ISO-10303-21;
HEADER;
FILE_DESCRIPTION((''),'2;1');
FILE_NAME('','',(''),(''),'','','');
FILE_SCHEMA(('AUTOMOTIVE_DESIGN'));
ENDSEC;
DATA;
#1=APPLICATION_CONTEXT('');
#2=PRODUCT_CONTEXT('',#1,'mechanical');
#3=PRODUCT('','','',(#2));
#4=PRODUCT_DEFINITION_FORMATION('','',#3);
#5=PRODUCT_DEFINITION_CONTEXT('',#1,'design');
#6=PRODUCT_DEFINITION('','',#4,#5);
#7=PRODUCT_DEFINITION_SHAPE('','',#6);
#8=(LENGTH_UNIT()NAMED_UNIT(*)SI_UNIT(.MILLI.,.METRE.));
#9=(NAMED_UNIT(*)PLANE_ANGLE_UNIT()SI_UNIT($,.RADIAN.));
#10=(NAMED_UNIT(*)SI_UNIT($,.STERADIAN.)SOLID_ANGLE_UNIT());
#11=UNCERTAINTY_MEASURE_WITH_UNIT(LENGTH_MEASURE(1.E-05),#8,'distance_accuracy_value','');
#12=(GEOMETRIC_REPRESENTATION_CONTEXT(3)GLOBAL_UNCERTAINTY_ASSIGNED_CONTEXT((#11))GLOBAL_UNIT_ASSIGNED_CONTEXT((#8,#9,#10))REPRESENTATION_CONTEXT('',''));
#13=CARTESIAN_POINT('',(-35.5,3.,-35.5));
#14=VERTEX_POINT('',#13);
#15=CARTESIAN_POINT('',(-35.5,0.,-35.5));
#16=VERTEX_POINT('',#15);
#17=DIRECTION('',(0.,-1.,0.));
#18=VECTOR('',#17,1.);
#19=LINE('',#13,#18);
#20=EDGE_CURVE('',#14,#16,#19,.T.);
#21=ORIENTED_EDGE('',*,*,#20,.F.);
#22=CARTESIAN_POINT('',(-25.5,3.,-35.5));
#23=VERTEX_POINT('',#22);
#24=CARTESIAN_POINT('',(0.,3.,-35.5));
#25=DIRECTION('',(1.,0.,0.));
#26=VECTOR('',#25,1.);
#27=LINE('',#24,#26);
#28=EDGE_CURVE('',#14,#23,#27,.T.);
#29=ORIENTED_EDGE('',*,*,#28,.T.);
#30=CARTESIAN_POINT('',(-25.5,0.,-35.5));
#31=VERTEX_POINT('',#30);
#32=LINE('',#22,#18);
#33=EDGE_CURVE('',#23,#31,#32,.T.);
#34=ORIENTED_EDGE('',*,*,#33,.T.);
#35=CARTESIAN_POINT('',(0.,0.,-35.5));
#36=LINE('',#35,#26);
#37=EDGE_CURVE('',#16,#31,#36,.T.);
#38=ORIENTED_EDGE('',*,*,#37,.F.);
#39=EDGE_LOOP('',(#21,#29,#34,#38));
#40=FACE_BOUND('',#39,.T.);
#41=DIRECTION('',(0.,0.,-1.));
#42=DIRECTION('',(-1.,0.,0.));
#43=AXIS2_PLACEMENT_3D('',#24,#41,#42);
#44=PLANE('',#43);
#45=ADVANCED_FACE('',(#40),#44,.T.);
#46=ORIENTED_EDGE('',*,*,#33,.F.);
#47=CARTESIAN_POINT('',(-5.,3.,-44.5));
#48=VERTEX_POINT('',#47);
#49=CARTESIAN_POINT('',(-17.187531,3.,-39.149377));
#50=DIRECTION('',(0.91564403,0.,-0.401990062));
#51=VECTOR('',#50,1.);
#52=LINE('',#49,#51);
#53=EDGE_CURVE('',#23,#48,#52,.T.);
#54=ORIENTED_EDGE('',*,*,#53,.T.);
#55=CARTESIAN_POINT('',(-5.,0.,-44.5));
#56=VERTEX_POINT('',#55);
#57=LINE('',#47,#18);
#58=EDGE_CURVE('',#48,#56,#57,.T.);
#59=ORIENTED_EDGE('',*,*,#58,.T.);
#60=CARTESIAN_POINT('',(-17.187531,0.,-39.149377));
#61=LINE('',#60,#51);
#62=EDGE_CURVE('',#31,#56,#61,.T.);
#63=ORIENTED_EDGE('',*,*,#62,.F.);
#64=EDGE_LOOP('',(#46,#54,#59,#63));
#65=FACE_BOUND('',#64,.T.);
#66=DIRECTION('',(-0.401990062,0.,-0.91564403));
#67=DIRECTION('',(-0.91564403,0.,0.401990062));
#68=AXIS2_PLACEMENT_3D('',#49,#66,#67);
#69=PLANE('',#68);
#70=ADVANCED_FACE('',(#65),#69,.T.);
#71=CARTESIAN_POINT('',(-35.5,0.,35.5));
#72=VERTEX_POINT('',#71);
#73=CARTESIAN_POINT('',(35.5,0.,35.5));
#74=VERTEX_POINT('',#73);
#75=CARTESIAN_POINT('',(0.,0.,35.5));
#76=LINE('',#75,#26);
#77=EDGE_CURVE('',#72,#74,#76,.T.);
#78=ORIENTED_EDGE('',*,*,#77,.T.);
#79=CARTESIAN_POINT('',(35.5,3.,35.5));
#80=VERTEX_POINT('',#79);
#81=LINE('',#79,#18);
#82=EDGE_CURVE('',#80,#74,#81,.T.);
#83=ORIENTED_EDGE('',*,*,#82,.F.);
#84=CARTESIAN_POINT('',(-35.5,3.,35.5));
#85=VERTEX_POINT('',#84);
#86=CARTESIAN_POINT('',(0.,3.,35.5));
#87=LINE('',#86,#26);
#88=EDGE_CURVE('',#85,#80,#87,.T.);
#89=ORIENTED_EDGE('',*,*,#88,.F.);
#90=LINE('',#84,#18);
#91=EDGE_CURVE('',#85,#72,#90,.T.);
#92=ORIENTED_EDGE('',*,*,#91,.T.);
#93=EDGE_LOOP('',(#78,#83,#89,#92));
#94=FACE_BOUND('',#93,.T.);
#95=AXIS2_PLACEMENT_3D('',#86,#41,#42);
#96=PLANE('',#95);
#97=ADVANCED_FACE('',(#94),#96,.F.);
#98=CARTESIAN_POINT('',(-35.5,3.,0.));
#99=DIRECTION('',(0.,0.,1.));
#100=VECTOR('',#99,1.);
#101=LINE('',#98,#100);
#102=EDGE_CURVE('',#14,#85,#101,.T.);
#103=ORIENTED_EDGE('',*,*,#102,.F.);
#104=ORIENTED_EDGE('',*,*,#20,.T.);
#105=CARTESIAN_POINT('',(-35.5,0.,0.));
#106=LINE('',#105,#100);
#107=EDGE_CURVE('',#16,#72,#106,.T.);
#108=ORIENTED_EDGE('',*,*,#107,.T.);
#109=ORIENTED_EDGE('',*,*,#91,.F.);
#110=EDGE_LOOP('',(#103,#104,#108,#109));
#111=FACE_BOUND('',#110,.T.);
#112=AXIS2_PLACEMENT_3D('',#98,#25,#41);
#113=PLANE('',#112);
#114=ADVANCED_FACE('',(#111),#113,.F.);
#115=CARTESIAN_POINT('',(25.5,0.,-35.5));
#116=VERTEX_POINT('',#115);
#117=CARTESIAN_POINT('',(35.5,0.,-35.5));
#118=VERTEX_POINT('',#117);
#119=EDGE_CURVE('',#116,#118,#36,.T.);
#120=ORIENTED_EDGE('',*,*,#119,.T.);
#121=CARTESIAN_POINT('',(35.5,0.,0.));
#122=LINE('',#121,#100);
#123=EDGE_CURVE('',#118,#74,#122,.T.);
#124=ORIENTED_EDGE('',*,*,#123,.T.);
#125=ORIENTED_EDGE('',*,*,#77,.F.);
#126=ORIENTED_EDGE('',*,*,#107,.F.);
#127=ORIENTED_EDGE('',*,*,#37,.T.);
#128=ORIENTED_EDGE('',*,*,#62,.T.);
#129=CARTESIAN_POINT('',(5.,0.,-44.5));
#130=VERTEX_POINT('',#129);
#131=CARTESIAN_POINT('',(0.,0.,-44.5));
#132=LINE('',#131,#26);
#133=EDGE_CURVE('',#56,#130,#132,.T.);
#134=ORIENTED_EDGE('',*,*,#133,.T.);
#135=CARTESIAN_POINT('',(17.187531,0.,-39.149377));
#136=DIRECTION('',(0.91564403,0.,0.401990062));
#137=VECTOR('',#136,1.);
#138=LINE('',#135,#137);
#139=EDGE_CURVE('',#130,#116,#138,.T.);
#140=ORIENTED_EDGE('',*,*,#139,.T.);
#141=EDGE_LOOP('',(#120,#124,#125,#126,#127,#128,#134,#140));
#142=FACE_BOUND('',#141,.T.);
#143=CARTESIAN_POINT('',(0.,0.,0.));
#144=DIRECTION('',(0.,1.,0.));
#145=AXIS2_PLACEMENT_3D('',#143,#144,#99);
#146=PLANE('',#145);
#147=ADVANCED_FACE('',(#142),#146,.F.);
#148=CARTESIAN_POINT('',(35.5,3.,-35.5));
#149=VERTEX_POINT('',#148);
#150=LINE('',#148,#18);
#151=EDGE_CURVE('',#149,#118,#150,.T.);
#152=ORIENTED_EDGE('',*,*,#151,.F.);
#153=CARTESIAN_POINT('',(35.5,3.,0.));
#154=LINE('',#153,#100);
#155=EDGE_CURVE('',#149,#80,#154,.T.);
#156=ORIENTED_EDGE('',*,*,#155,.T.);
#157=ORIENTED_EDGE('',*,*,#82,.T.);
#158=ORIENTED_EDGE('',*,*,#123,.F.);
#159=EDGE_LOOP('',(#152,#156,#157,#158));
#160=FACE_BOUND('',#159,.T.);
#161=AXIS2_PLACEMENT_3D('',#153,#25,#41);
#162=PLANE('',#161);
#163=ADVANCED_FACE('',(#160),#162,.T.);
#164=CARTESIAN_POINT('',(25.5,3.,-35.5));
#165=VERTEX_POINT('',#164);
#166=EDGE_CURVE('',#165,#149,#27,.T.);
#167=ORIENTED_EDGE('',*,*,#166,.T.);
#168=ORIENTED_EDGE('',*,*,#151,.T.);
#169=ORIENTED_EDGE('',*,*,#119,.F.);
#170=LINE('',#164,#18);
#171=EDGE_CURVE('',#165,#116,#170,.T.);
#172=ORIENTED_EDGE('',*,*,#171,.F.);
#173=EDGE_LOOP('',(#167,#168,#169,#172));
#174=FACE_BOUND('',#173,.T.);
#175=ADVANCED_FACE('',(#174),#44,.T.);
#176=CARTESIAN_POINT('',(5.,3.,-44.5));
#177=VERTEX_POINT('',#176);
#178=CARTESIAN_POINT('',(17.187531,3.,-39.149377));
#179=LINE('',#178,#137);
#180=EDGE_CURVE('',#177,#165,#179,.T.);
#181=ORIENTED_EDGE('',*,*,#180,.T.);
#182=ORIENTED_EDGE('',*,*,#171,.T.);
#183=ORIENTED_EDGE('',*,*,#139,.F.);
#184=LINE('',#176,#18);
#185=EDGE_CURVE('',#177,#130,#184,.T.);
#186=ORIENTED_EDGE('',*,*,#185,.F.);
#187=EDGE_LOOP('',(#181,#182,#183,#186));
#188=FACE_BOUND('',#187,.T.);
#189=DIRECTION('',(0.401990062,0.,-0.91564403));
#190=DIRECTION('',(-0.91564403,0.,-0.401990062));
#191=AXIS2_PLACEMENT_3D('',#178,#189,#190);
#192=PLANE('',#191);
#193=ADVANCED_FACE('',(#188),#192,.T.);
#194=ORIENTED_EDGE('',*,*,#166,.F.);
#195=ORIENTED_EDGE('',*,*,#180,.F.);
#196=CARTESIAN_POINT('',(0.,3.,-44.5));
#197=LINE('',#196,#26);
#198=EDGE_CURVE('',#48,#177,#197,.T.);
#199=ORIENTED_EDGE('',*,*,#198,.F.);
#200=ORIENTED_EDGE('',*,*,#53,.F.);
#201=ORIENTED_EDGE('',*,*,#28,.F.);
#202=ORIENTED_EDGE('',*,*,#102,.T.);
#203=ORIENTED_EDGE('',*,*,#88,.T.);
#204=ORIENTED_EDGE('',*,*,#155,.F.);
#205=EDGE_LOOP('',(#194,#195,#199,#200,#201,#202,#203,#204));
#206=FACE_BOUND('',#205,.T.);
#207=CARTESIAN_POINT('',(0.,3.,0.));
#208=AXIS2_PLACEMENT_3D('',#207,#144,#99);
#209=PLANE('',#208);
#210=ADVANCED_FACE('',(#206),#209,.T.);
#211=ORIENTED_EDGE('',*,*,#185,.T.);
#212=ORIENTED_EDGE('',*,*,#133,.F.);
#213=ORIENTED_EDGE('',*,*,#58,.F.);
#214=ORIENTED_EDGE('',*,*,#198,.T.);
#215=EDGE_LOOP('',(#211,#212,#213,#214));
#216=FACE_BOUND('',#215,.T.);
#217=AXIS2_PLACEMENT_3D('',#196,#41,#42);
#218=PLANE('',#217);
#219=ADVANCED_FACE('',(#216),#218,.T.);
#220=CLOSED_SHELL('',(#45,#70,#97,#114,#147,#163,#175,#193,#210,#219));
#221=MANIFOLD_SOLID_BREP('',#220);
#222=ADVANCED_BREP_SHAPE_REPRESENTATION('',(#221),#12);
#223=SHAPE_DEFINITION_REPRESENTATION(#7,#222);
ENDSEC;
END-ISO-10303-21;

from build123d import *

# Parameters (mm, degrees)
BOSS_EXTRUDE1_DEPTH = 3


with BuildPart() as part:
    # Sketch1 → Boss-Extrude1 (new body)
    with BuildSketch(Plane(origin=(0, 0, 0), x_dir=(1, 0, 0), z_dir=(0, 1, 0))):
        Polygon((-5, 44.5), (-25.5, 35.5), (25.5, 35.5), (5, 44.5), align=None)
        Polygon((-25.5, 35.5), (-35.5, 35.5), (-35.5, -35.5), (35.5, -35.5), (35.5, 35.5), (25.5, 35.5), align=None)
    extrude(amount=BOSS_EXTRUDE1_DEPTH)


solid = part.part
